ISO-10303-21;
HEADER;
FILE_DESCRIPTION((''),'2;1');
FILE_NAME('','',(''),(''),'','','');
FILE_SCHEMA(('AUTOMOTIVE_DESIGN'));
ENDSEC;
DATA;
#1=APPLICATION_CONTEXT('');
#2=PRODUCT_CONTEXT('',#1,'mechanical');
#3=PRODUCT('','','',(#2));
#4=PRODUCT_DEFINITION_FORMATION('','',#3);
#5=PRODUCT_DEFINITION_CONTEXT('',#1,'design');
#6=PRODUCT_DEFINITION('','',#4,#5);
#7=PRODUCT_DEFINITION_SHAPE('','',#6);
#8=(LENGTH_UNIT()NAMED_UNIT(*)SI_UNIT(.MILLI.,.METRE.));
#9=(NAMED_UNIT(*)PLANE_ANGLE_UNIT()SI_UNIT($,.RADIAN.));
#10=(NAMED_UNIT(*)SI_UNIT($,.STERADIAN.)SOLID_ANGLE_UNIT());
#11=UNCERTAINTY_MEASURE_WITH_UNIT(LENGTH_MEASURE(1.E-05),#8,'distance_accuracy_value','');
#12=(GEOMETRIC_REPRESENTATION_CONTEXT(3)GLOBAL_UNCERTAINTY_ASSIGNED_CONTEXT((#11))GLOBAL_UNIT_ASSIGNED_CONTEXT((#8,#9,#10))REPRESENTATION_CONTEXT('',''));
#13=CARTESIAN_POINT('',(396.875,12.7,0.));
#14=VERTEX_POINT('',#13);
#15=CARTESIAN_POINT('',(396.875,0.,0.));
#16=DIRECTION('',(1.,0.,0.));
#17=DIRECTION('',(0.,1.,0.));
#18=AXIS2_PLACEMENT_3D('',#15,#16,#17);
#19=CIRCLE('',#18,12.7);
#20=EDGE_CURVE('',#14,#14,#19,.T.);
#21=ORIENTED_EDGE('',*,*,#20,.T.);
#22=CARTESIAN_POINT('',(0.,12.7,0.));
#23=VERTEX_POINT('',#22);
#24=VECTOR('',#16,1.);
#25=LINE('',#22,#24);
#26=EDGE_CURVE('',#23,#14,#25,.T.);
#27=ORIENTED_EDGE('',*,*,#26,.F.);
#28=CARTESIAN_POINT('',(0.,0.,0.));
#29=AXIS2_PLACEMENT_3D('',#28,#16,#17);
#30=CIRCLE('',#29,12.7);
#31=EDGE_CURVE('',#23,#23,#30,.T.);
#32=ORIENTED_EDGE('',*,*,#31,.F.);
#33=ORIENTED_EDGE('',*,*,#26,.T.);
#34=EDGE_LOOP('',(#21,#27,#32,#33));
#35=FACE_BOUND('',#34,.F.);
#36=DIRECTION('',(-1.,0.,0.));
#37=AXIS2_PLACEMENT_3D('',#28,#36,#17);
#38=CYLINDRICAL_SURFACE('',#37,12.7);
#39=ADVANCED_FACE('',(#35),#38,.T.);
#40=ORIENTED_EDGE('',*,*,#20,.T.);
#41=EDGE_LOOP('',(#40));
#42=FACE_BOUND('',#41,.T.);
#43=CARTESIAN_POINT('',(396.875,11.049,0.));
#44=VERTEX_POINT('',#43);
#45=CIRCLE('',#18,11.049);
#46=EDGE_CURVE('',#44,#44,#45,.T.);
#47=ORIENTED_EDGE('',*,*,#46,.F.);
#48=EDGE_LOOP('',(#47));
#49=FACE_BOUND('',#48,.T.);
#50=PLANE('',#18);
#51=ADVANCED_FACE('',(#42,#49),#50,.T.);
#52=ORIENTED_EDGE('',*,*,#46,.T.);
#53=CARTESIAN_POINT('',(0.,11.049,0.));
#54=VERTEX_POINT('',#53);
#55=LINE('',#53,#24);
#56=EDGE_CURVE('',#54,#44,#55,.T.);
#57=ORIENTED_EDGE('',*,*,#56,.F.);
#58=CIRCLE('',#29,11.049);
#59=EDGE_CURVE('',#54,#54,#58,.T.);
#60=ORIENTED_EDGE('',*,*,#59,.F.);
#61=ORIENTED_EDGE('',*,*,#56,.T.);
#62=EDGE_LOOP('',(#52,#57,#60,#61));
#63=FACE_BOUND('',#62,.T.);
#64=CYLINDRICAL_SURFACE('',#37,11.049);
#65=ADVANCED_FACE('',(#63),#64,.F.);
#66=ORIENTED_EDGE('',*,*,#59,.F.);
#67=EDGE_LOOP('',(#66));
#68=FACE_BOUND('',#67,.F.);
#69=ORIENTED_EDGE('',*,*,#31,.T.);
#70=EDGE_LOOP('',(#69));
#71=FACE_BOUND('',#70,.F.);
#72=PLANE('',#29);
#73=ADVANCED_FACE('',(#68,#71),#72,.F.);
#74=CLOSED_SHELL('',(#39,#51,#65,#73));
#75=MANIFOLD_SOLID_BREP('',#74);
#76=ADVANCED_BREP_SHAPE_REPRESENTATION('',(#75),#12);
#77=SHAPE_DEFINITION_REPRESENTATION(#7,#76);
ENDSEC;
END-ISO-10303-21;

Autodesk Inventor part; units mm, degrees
ref_plane "XZ Plane" through (0, 0, 0) normal (0, 1, 0) x (-1, 0, 0)
ref_plane "Start Plane" through (0, 0, 0) normal (1, 0, 0) x (0, 1, 0)
ref_plane "End Plane" through (396.875, 0, 0) normal (1, 0, 0) x (0, 1, 0)
sketch "Sketch" plane through (0, 0, 0) normal (1, 0, 0) x (0, 1, 0)
  circle A0 centre (0, 0) radius 12.7
  circle A1 centre (0, 0) radius 11.049
  dimension "d0" = 25.4
  dimension "d1" = 1.651
extrude "Body" add sketch "Sketch" along normal up to surface (396.875 mm away) from surface at 0
sketch "Sketch2" plane through (0, 0, 0) normal (1, 0, 0) x (0, 1, 0)
  line L0 (0, 0) -> (10, 0)
ref_plane "Work Plane3" through (0, 0, 0) normal (0, 0, -1) x (0, 1, 0)
sketch "Sketch3" plane through (0, 0, 0) normal (0, 0, -1) x (0, 1, 0)
  line L0 (-2, 0) -> (12, 0)
  line L1 (-2, 396.875) -> (12, 396.875)
  dimension "d9" = 396.875
equation "\"G_OFFSET_START\" = 0"
equation "\"G_OFFSET_END\" = 0"
equation "\"d5\" = d2 + G_OFFSET_END"
equation "\"G_L\" = d9"
equation "\"d2\" = 396.875"
properties part number "4130_1x0.065" material "Steel, Alloy"
